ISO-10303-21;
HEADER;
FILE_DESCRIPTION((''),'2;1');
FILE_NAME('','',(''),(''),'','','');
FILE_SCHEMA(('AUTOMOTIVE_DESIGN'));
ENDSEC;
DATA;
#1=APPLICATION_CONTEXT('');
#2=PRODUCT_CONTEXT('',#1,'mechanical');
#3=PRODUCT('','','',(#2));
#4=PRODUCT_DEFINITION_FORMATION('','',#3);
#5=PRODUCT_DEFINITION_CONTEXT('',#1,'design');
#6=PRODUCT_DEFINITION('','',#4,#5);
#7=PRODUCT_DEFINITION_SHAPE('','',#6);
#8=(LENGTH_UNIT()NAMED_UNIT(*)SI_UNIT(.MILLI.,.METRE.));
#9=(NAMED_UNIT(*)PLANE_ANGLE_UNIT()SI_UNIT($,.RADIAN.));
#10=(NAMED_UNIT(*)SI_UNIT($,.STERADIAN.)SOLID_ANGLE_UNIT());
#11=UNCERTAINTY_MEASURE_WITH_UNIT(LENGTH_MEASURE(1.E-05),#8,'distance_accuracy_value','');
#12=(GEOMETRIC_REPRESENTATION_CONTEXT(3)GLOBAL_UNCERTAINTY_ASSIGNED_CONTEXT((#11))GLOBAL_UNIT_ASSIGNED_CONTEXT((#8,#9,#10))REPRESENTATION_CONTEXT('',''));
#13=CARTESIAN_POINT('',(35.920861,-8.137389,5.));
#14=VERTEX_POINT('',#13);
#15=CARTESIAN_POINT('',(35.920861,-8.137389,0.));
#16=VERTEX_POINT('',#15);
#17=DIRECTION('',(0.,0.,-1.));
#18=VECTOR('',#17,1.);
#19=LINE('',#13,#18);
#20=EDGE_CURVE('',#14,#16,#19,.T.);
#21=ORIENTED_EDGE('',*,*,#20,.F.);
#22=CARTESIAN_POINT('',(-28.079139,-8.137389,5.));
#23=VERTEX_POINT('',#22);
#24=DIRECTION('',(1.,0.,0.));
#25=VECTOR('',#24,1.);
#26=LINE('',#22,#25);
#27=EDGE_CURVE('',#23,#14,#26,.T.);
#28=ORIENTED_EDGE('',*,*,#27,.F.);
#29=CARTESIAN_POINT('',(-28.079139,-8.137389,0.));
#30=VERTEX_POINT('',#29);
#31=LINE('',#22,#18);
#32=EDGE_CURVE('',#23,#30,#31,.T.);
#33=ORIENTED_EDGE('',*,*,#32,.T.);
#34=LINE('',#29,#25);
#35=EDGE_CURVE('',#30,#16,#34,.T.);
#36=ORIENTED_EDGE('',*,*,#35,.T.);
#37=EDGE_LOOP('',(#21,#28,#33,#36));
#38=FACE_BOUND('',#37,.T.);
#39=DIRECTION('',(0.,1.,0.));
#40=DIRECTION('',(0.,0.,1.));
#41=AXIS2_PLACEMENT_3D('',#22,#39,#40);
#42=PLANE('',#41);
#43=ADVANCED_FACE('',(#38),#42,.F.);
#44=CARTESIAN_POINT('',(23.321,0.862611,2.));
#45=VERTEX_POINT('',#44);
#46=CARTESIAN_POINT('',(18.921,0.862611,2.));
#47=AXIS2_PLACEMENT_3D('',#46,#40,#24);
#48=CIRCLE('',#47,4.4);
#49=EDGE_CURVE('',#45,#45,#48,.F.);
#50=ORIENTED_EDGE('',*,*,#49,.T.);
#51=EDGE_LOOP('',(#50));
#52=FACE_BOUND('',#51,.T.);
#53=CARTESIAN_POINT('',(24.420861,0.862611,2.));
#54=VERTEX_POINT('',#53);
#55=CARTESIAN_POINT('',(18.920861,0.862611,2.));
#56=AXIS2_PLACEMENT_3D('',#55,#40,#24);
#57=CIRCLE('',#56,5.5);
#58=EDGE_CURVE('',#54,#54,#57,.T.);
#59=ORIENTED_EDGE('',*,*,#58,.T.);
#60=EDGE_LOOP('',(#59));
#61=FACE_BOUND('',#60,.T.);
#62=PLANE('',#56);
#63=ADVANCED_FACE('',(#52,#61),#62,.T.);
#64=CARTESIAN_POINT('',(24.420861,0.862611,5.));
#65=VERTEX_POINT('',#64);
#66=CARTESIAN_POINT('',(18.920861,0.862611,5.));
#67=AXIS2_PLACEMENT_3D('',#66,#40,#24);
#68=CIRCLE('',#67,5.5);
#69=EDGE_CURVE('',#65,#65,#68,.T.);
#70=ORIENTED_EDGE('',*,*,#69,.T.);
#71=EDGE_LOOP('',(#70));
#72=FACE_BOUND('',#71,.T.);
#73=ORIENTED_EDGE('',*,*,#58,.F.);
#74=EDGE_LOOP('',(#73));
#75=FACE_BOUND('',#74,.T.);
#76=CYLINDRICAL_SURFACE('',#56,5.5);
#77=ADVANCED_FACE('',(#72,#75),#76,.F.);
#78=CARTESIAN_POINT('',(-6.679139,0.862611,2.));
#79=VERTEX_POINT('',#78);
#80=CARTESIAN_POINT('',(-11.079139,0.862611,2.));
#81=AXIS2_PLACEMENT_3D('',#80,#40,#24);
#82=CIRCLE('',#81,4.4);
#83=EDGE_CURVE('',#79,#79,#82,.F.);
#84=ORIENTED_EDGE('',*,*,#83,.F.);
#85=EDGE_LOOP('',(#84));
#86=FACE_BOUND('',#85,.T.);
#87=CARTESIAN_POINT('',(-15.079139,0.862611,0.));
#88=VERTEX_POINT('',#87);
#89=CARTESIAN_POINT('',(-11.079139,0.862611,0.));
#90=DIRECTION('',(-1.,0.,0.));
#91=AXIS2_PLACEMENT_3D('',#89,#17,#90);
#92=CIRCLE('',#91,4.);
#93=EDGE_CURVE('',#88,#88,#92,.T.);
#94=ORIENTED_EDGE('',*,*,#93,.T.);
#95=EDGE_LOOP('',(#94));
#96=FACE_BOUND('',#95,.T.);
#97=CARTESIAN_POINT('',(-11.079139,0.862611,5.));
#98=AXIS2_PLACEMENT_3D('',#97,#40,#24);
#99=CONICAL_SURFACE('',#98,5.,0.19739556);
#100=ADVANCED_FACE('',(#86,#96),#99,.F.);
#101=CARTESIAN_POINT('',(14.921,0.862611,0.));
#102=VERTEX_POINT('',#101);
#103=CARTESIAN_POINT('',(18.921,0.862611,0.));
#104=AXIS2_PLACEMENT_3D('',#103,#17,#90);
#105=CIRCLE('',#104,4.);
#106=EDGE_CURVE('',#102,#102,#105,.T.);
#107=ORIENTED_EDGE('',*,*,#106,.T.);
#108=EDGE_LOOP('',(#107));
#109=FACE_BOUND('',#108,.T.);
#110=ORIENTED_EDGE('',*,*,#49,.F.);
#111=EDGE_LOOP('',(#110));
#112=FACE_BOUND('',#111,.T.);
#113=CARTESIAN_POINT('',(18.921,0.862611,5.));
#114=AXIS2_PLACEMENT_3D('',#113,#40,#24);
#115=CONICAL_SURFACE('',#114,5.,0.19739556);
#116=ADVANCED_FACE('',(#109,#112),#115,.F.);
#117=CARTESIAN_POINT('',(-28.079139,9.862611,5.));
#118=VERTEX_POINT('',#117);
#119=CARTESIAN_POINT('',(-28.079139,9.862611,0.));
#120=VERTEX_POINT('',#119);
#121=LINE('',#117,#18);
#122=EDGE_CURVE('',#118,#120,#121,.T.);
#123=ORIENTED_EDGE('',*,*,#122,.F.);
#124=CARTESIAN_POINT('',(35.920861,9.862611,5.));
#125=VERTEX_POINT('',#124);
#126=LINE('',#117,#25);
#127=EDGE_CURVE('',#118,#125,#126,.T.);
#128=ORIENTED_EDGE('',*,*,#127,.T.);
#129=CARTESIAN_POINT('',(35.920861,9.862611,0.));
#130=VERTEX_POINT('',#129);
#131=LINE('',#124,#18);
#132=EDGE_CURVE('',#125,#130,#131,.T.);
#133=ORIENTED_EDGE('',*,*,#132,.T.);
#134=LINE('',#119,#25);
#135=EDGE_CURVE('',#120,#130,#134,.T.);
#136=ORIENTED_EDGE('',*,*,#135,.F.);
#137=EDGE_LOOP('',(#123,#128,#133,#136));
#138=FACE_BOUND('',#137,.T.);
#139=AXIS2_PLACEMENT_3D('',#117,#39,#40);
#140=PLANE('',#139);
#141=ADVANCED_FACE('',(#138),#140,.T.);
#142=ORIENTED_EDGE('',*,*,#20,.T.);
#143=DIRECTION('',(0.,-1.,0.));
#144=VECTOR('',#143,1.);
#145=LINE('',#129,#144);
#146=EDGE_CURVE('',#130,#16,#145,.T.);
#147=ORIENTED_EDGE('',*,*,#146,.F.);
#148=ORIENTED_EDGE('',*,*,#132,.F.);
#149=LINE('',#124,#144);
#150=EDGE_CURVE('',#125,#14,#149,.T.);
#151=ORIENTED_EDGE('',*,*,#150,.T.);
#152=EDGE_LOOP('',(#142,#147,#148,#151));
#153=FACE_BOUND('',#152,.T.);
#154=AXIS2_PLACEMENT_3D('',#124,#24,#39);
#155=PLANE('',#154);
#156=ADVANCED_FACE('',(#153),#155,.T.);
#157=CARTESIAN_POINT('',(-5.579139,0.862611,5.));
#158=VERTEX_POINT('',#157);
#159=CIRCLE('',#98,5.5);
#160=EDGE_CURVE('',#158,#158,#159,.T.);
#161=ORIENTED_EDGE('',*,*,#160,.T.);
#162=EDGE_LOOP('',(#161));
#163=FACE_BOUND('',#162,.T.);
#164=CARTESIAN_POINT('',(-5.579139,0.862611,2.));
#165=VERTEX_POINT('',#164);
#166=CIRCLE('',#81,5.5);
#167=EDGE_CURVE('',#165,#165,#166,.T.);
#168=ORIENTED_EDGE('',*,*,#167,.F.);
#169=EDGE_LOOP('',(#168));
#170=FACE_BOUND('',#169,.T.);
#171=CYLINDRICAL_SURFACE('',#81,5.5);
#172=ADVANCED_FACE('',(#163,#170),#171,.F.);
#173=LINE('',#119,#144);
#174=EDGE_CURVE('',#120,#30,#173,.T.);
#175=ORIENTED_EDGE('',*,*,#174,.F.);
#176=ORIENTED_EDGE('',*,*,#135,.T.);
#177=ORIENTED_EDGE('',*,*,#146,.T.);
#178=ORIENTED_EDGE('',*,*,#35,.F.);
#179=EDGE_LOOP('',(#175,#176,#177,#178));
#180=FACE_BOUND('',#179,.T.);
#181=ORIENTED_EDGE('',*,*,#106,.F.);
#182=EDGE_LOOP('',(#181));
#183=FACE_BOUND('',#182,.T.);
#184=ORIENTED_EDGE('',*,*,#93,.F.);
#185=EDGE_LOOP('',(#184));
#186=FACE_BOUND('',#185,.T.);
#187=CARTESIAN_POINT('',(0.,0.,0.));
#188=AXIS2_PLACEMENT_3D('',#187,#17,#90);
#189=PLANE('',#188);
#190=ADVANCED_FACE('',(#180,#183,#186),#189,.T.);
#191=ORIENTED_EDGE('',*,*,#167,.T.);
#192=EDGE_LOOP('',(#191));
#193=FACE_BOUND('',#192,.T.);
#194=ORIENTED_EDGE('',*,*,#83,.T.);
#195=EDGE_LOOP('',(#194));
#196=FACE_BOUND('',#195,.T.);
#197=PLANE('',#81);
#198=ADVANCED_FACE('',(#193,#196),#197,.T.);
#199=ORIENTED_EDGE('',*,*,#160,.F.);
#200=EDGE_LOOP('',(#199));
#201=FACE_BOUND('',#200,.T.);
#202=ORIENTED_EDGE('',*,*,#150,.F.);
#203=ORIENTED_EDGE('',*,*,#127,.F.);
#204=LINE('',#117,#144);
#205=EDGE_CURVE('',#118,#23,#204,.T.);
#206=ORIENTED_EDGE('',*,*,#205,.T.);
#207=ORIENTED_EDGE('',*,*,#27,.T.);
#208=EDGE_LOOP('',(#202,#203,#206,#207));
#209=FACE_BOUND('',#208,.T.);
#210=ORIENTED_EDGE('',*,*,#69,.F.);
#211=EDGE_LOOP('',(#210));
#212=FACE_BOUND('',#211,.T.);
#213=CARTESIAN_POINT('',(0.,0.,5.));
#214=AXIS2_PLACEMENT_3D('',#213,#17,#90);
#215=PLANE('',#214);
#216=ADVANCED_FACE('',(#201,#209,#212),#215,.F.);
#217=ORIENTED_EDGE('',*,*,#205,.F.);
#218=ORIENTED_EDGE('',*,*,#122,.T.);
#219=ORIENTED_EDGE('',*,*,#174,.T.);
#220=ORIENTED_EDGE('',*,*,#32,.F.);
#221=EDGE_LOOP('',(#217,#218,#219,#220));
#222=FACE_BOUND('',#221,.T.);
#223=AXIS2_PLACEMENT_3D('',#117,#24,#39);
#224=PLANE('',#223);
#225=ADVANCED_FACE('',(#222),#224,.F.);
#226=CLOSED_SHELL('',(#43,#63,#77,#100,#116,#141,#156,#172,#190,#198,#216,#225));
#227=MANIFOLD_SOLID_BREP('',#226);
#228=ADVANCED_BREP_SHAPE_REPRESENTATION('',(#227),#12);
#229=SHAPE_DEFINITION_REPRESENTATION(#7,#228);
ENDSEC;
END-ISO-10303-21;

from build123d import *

# Parameters (mm, degrees)
SKETCH_1_W          = 64
SKETCH_1_H          = 18
SKETCH_1_R          = 3
EXTRUDE_1_DEPTH     = 5
SKETCH_2_R          = 5.5
CUT_EXTRUDE_1_DEPTH = 3


with BuildPart() as part:
    # 草图1 → 凸台-拉伸1 (new body)
    with BuildSketch(Plane.XY):
        with Locations((3.920861217, 0.862610936)):
            Rectangle(SKETCH_1_W, SKETCH_1_H)
        with Locations((-11.079138783, 0.862610936)):
            Circle(SKETCH_1_R, mode=Mode.SUBTRACT)
        with Locations((18.920861217, 0.862610936)):
            Circle(SKETCH_1_R, mode=Mode.SUBTRACT)
    extrude(amount=EXTRUDE_1_DEPTH)

    # 草图2 → 切除-拉伸1 (cut)
    with BuildSketch(Plane.XY.offset(5)):
        with Locations((-11.079138783, 0.862610936)):
            Circle(SKETCH_2_R)
        with Locations((18.920861217, 0.862610936)):
            Circle(SKETCH_2_R)
    extrude(amount=-CUT_EXTRUDE_1_DEPTH, mode=Mode.SUBTRACT)

    # 草图5 → 切除-旋转1 (revolve, cut)
    with BuildSketch(Plane(origin=(0, 0.862610936, 0), x_dir=(1, 0, 0), z_dir=(0, 1, 0))):
        Polygon((-15.079138783, 0), (-16.079138783, -5), (-11.079138783, -5), (-11.079138783, 0), align=None)
    revolve(axis=Axis((-11.079138783, 0.862610936, 0), (0, 0, 1)), mode=Mode.SUBTRACT)

    # 草图5<4> → 切除-旋转2 (revolve, cut)
    with BuildSketch(Plane(origin=(0, 0.862610936, 0), x_dir=(1, 0, 0), z_dir=(0, 1, 0))):
        Polygon((23.920999606, -5), (22.920999606, 0), (18.920999606, 0), (18.920999606, -5), align=None)
    revolve(axis=Axis((18.920999606, 0.862610936, 0), (0, 0, 1)), mode=Mode.SUBTRACT)


solid = part.part
